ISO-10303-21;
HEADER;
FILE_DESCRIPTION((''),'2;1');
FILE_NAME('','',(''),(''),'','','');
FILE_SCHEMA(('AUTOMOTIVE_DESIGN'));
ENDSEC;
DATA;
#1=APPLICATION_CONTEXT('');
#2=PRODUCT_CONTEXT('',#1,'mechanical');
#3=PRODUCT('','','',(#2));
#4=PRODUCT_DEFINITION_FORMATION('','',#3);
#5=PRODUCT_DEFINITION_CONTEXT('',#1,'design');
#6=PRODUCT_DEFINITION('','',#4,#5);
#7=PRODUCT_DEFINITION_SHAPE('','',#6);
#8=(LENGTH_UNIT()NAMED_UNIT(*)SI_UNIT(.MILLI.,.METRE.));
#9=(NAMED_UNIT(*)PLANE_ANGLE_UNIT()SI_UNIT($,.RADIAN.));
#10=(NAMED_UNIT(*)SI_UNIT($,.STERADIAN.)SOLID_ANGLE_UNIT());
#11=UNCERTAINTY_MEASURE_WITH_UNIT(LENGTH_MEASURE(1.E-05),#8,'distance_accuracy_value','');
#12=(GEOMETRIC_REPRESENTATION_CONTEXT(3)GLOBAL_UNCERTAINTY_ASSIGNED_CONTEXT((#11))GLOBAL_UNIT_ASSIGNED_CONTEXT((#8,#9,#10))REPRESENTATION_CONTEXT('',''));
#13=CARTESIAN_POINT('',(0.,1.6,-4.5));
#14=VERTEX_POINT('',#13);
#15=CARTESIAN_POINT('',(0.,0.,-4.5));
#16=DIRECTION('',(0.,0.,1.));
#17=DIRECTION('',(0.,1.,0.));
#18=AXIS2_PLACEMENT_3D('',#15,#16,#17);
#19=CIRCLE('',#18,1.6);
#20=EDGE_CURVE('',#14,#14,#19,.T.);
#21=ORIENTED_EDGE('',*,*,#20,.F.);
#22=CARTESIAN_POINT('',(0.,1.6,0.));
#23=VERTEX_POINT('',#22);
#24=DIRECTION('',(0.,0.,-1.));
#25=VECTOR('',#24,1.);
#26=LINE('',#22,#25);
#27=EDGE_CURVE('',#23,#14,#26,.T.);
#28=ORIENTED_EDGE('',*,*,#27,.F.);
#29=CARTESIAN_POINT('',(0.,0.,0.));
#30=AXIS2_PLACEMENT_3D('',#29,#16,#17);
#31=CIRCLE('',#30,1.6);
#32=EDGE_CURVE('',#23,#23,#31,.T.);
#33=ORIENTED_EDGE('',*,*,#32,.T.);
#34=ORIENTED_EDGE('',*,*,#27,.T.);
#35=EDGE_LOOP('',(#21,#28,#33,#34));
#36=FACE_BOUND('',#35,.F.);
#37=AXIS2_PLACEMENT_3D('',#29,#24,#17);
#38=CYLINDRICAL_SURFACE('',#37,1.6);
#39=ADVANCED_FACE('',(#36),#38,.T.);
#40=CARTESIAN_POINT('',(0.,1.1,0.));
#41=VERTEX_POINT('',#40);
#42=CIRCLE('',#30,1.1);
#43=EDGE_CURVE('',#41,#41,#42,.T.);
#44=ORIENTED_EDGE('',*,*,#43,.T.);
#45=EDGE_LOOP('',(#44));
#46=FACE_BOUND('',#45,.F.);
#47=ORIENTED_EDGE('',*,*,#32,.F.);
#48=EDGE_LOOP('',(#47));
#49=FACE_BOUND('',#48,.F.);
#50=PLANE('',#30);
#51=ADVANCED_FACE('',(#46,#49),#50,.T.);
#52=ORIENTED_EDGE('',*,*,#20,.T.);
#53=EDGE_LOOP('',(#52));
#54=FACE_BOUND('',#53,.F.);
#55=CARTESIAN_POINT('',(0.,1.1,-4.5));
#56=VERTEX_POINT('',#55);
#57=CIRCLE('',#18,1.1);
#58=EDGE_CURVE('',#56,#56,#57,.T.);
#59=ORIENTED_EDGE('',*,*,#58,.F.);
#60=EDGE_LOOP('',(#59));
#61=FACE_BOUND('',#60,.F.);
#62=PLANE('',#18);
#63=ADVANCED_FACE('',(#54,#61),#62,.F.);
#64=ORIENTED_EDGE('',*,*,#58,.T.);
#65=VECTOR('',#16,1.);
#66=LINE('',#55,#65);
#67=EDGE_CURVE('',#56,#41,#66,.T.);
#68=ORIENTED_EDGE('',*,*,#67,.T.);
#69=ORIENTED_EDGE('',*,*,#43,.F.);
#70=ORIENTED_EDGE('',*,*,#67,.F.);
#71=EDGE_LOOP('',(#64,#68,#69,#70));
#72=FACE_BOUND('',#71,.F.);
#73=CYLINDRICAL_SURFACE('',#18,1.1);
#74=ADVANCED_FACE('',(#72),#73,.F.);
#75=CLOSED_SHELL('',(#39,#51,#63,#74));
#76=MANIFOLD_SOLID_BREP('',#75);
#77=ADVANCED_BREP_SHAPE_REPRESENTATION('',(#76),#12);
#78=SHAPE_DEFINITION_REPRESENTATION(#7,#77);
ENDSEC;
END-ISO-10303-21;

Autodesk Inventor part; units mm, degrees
ref_plane "YZ Plane" through (0, 0, 0) normal (1, 0, 0) x (0, 1, 0)
ref_plane "XZ Plane" through (0, 0, 0) normal (0, 1, 0) x (-1, 0, 0)
ref_plane "XY Plane" through (0, 0, 0) normal (0, 0, 1) x (1, 0, 0)
sketch "スケッチ1" plane through (0, 0, 0) normal (1, 0, 0) x (0, 1, 0)
  line L0 (1.1, 0) -> (1.6, 0)
  line L1 (1.6, 0) -> (1.6, -4.5)
  line L2 (1.6, -4.5) -> (1.1, -4.5)
  line L3 (1.1, -4.5) -> (1.1, 0)
  line L4 (0, -5.4) -> (0, 0.9) projected
  point P0 (0, 0)
  dimension "d0" = 1.1
  dimension "d1" = 1.6
  dimension "d2" = 4.5
revolve "回転1" add sketch "スケッチ1" angle 360 about axis through (0, 0, -10) along (0, 0, 1)
properties part number "MetalCollarPh3L5" material "ステンレス鋼"
